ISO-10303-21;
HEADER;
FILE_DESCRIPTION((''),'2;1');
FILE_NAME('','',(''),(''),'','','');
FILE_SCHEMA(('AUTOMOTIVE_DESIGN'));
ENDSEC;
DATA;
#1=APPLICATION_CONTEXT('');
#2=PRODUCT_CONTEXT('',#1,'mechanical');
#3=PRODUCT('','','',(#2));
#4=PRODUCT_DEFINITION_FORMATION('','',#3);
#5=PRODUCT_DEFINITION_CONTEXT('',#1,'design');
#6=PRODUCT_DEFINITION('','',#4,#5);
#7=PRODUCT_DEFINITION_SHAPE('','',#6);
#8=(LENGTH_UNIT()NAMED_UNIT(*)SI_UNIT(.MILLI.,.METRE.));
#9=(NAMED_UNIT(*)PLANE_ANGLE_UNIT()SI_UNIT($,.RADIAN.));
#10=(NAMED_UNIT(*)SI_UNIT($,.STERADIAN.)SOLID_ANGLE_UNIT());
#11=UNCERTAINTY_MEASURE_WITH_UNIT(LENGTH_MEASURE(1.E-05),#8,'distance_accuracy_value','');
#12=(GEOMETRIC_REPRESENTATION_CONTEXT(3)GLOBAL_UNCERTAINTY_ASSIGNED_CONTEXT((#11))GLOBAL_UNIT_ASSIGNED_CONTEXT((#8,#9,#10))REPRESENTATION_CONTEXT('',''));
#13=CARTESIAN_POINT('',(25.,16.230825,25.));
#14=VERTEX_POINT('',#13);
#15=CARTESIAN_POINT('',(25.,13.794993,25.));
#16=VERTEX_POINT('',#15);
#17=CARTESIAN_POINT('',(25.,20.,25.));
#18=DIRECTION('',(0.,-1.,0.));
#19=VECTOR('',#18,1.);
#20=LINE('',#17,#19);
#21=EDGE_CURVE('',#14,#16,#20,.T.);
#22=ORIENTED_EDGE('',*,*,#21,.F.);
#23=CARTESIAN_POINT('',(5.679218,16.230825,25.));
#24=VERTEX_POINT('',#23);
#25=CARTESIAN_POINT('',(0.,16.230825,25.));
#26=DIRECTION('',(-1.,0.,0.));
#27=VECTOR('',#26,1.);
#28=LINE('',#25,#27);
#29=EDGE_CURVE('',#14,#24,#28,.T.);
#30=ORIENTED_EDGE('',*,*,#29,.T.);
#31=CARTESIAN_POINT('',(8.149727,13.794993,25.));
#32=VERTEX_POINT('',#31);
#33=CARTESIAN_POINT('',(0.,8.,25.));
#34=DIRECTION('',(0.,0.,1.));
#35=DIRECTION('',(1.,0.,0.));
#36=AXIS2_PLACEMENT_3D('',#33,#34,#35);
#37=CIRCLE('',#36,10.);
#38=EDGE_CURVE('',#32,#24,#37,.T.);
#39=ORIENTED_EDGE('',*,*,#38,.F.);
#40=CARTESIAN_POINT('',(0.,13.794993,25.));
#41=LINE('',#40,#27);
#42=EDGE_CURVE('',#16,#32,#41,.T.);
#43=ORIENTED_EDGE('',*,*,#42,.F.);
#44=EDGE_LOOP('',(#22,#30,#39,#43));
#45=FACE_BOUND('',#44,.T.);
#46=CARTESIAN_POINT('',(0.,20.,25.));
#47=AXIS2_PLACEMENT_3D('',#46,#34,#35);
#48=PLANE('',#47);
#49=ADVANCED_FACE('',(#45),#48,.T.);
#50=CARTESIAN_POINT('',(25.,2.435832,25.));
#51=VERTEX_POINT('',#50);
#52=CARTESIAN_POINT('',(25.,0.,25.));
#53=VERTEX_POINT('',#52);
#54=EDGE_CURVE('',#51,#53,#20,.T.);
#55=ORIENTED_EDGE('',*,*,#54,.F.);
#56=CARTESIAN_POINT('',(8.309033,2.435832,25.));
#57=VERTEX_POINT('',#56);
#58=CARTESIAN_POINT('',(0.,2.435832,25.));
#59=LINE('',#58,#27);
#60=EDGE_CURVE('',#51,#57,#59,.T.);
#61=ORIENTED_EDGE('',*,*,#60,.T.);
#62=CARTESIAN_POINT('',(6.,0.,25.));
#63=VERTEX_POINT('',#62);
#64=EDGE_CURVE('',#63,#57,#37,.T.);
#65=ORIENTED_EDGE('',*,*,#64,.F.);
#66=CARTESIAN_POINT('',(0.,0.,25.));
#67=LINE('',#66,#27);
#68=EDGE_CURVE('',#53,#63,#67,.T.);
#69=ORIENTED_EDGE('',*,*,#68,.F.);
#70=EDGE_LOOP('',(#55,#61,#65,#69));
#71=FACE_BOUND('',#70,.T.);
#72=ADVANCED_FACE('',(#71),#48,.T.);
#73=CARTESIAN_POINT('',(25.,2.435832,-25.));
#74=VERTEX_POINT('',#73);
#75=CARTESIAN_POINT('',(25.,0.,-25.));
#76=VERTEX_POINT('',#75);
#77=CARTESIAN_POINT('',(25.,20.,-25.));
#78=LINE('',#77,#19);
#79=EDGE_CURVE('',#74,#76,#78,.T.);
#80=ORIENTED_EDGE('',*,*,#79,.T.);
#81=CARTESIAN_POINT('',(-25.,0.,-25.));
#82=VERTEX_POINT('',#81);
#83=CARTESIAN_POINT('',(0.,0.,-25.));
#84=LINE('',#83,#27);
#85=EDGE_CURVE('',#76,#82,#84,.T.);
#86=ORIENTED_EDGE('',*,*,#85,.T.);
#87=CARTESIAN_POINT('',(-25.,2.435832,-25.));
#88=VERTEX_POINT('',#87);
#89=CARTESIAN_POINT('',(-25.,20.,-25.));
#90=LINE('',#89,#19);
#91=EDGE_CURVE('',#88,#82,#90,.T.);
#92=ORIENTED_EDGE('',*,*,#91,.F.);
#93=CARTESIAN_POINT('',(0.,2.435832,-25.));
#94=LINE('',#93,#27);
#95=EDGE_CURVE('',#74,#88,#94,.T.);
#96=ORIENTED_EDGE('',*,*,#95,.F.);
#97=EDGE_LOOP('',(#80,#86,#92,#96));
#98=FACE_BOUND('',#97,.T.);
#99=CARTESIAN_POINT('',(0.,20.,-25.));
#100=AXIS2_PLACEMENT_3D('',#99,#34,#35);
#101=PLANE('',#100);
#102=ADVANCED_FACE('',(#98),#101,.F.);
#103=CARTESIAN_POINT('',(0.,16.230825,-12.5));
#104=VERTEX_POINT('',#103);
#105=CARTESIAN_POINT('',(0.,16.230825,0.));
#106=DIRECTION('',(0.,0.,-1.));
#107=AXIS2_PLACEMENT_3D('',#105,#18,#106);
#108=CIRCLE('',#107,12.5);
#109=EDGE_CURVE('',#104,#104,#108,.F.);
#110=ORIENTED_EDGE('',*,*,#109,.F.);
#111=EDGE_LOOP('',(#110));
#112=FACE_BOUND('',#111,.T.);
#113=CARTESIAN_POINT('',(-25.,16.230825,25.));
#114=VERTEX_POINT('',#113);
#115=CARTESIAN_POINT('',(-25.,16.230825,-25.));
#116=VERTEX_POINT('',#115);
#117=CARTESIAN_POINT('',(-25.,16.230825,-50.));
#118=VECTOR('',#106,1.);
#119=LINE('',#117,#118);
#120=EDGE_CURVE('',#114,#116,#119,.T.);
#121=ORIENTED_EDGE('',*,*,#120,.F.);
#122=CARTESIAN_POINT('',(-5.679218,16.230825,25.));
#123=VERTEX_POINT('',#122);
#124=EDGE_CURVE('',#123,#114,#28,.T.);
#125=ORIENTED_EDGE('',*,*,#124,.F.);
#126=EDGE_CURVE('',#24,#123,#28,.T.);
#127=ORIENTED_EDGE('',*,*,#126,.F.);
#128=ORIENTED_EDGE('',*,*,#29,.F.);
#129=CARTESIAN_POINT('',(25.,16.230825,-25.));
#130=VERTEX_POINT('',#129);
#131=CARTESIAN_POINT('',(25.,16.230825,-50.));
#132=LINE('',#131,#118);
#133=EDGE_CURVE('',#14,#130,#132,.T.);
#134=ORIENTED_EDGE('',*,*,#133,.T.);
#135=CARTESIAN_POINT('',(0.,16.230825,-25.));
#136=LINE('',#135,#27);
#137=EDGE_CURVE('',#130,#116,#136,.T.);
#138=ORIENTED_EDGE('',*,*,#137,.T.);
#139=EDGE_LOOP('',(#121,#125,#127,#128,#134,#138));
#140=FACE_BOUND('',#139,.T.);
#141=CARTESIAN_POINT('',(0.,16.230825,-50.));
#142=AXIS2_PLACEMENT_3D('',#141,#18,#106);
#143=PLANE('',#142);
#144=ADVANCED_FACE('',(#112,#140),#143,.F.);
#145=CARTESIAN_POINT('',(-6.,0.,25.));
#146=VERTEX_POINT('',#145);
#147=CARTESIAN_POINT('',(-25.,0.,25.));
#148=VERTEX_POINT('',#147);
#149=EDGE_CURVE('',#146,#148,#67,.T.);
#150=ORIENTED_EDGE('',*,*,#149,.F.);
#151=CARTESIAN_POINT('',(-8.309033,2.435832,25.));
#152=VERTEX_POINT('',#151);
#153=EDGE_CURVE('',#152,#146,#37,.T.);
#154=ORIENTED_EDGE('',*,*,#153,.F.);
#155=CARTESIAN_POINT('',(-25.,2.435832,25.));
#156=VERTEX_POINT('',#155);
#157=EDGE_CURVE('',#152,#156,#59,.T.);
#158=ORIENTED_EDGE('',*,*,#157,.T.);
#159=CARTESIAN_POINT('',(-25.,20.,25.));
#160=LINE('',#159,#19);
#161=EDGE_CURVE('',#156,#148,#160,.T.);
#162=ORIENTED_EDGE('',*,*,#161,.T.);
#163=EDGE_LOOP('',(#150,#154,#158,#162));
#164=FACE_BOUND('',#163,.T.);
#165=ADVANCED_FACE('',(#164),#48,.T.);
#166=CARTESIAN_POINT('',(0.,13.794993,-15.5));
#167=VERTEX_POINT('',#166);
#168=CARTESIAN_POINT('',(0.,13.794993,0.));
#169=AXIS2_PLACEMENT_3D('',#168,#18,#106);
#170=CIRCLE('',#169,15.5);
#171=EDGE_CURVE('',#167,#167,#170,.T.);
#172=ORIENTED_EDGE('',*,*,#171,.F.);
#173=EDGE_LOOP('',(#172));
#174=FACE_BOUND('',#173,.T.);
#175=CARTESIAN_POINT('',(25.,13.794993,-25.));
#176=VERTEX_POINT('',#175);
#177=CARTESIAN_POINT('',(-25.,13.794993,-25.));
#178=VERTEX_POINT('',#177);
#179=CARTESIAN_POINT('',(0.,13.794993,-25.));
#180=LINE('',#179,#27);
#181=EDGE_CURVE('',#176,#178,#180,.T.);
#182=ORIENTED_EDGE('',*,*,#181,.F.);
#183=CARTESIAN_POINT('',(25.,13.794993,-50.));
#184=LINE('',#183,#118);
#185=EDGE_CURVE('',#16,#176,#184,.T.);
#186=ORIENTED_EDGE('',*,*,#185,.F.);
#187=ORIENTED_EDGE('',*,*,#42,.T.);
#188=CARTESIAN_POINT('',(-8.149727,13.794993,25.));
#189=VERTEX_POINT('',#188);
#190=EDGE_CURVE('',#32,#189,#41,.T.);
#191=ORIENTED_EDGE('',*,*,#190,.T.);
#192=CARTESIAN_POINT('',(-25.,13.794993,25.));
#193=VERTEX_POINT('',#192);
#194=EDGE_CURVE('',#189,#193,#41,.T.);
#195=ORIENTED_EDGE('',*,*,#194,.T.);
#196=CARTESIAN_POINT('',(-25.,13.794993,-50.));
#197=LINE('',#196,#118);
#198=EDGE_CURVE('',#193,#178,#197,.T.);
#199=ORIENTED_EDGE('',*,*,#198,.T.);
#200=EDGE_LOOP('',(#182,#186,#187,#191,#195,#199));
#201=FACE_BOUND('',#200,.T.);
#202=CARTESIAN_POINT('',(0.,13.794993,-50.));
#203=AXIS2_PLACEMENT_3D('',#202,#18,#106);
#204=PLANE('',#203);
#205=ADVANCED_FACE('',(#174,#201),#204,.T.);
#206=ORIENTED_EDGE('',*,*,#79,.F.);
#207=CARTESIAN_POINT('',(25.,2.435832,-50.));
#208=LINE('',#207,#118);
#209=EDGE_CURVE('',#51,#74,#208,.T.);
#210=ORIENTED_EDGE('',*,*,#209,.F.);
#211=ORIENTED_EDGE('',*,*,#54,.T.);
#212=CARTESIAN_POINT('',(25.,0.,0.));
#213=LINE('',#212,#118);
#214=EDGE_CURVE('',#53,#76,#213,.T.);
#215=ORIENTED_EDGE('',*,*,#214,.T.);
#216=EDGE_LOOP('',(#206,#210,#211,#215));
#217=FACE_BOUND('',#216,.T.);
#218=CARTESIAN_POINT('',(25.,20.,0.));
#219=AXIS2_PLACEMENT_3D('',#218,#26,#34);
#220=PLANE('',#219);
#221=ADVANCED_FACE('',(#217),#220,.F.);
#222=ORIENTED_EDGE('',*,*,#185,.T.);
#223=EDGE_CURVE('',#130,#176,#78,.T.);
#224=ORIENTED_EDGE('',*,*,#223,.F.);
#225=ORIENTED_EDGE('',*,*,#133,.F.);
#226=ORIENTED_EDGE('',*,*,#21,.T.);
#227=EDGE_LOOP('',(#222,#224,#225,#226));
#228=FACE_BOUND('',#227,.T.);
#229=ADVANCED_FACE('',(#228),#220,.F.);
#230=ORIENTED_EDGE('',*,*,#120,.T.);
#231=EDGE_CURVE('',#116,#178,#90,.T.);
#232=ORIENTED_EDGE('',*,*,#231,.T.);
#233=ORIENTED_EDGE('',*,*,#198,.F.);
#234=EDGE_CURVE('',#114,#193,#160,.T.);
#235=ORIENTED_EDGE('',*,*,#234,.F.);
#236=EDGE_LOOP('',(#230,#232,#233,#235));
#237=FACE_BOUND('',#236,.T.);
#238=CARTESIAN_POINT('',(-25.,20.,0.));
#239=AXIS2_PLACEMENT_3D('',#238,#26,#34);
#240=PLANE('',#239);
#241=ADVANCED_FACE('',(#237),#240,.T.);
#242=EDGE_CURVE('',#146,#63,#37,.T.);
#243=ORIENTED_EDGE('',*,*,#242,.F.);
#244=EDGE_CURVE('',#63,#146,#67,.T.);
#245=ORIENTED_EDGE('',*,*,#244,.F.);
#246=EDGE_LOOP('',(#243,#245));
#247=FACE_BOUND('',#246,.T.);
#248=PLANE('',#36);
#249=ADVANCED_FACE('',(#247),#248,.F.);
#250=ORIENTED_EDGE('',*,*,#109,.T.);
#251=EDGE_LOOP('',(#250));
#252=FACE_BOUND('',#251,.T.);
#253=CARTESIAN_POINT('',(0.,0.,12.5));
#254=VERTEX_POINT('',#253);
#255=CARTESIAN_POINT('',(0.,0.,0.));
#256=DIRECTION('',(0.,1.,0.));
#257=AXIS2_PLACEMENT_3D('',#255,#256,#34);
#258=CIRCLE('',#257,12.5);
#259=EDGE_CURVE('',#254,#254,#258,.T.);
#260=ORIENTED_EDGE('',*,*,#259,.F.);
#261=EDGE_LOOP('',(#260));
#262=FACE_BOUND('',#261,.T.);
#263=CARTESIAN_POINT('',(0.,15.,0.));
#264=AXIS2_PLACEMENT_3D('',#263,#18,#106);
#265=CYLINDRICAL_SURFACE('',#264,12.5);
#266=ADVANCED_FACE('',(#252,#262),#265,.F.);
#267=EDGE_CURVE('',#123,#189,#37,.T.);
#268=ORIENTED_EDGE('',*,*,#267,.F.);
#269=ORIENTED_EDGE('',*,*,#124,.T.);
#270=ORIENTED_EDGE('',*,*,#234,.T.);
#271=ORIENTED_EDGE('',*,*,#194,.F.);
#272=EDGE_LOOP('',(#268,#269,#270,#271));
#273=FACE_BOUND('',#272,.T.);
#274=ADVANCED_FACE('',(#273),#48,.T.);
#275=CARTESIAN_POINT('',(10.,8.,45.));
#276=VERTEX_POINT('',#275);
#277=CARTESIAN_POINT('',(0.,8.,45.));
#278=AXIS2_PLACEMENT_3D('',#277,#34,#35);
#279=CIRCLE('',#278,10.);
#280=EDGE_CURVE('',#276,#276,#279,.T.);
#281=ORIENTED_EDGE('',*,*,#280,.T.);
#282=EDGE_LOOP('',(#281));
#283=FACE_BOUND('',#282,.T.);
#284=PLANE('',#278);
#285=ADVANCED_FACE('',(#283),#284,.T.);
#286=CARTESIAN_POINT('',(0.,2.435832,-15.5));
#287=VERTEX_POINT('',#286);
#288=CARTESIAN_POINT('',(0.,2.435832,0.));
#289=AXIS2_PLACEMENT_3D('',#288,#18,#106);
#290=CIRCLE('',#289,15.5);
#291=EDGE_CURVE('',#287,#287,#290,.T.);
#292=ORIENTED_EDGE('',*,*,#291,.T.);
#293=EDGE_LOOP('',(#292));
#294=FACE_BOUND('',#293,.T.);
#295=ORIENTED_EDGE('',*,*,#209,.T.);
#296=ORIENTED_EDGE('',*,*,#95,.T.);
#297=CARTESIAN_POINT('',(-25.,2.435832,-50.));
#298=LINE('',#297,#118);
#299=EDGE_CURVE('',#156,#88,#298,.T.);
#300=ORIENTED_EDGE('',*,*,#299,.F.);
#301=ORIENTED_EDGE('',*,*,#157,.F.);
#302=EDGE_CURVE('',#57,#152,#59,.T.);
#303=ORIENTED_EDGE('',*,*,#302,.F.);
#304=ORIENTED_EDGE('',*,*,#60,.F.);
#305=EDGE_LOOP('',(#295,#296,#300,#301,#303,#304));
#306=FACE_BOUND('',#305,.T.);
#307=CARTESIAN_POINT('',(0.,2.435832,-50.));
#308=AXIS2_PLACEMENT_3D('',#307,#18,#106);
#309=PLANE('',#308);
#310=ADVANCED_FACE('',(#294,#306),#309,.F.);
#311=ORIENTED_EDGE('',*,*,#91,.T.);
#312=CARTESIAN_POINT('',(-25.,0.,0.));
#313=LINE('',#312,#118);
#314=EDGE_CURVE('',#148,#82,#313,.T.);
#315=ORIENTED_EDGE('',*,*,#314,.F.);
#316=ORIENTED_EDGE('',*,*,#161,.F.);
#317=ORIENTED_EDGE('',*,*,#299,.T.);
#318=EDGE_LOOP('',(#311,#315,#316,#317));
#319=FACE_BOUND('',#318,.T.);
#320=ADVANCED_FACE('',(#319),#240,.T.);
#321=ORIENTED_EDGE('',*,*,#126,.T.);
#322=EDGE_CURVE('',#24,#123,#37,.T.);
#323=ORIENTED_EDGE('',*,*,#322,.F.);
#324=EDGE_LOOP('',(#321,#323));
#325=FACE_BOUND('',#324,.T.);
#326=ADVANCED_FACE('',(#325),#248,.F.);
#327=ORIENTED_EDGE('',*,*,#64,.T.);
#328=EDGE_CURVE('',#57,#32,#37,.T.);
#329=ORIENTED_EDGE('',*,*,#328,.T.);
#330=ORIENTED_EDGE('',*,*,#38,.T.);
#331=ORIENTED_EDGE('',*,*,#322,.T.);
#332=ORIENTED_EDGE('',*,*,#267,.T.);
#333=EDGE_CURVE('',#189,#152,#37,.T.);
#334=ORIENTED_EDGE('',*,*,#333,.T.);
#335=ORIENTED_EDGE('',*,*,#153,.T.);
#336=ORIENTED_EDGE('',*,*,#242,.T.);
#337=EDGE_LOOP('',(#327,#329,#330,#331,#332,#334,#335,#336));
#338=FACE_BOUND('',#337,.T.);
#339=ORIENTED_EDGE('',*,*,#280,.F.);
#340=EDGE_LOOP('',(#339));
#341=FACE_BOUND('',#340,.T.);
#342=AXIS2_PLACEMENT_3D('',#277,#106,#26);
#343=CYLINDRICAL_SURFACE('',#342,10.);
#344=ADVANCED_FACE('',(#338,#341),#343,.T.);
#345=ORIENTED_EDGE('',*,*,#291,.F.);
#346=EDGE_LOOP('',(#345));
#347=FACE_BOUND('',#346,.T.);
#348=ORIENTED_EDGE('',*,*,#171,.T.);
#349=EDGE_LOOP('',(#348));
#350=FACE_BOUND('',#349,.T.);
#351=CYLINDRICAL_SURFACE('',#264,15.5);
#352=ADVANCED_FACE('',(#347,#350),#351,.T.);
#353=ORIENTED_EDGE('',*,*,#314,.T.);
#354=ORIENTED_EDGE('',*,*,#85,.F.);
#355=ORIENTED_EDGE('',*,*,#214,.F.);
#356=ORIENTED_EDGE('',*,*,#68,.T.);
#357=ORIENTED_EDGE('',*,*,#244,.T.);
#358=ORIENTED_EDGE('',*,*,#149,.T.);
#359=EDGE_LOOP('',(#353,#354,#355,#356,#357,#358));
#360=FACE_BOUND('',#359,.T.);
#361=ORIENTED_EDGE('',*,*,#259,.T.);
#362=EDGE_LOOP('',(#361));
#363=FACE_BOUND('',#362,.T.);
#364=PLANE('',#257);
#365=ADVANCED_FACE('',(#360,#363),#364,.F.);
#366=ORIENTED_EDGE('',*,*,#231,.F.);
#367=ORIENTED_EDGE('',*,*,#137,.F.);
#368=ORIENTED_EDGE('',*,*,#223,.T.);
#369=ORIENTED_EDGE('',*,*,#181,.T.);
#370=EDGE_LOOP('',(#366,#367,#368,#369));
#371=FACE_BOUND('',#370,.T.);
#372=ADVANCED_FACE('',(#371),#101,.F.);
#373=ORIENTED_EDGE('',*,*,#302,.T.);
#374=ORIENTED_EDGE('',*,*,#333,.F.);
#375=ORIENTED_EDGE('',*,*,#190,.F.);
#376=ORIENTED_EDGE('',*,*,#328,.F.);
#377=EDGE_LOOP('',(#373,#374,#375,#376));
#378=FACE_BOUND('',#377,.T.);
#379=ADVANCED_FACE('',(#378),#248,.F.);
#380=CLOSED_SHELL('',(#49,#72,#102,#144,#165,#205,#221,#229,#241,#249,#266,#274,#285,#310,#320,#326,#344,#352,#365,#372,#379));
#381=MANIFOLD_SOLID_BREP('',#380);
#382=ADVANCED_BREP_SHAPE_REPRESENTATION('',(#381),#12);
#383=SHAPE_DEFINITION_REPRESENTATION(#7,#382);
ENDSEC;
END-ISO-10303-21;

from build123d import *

# Parameters (mm, degrees)
SKETCH1_R                = 15.5
SKETCH1_R_2              = 12.5
BOSS_EXTRUDE1_DEPTH      = 15
BOSS_EXTRUDE2_DEPTH      = 50
BOSS_EXTRUDE2_DEPTH_BACK = 50
SKETCH2_W                = 100
SKETCH2_H                = 2.435831537
SKETCH2_H_2              = 2.435831538
SKETCH1_4_R              = 12.5
CUT_EXTRUDE1_DEPTH       = 20
SKETCH1_7_R              = 100
SKETCH1_7_W              = 50
SKETCH1_7_H              = 50
CUT_EXTRUDE2_DEPTH       = 20
SKETCH4_R                = 10
BOSS_EXTRUDE3_DEPTH      = 20


with BuildPart() as part:
    # Sketch1 → Boss-Extrude1 (new body)
    with BuildSketch(Plane(origin=(0, 0, 0), x_dir=(1, 0, 0), z_dir=(0, 1, 0))):
        Circle(SKETCH1_R)
        Circle(SKETCH1_R_2, mode=Mode.SUBTRACT)
    extrude(amount=BOSS_EXTRUDE1_DEPTH)

    # Sketch2 → Boss-Extrude2 (add, two sides: drawn at the far end of the back side and taken through both)
    with BuildSketch(Plane.XY.offset(-BOSS_EXTRUDE2_DEPTH_BACK)):
        with Locations((0, 1.217915769)):
            Rectangle(SKETCH2_W, SKETCH2_H)
        with Locations((0, 15.01290923)):
            Rectangle(SKETCH2_W, SKETCH2_H_2)
    extrude(amount=BOSS_EXTRUDE2_DEPTH + BOSS_EXTRUDE2_DEPTH_BACK)

    # Sketch1<4> → Cut-Extrude1 (cut)
    with BuildSketch(Plane(origin=(0, 0, 0), x_dir=(1, 0, 0), z_dir=(0, 1, 0))):
        Circle(SKETCH1_4_R)
    extrude(amount=CUT_EXTRUDE1_DEPTH, mode=Mode.SUBTRACT)

    # Sketch1<7> → Cut-Extrude2 (cut)
    with BuildSketch(Plane(origin=(0, 0, 0), x_dir=(1, 0, 0), z_dir=(0, 1, 0))):
        Circle(SKETCH1_7_R)
        Rectangle(SKETCH1_7_W, SKETCH1_7_H, mode=Mode.SUBTRACT)
    extrude(amount=CUT_EXTRUDE2_DEPTH, mode=Mode.SUBTRACT)

    # Sketch4 → Boss-Extrude3 (add)
    with BuildSketch(Plane.XY.offset(25)):
        with Locations((0, 8)):
            Circle(SKETCH4_R)
    extrude(amount=BOSS_EXTRUDE3_DEPTH)


solid = part.part
